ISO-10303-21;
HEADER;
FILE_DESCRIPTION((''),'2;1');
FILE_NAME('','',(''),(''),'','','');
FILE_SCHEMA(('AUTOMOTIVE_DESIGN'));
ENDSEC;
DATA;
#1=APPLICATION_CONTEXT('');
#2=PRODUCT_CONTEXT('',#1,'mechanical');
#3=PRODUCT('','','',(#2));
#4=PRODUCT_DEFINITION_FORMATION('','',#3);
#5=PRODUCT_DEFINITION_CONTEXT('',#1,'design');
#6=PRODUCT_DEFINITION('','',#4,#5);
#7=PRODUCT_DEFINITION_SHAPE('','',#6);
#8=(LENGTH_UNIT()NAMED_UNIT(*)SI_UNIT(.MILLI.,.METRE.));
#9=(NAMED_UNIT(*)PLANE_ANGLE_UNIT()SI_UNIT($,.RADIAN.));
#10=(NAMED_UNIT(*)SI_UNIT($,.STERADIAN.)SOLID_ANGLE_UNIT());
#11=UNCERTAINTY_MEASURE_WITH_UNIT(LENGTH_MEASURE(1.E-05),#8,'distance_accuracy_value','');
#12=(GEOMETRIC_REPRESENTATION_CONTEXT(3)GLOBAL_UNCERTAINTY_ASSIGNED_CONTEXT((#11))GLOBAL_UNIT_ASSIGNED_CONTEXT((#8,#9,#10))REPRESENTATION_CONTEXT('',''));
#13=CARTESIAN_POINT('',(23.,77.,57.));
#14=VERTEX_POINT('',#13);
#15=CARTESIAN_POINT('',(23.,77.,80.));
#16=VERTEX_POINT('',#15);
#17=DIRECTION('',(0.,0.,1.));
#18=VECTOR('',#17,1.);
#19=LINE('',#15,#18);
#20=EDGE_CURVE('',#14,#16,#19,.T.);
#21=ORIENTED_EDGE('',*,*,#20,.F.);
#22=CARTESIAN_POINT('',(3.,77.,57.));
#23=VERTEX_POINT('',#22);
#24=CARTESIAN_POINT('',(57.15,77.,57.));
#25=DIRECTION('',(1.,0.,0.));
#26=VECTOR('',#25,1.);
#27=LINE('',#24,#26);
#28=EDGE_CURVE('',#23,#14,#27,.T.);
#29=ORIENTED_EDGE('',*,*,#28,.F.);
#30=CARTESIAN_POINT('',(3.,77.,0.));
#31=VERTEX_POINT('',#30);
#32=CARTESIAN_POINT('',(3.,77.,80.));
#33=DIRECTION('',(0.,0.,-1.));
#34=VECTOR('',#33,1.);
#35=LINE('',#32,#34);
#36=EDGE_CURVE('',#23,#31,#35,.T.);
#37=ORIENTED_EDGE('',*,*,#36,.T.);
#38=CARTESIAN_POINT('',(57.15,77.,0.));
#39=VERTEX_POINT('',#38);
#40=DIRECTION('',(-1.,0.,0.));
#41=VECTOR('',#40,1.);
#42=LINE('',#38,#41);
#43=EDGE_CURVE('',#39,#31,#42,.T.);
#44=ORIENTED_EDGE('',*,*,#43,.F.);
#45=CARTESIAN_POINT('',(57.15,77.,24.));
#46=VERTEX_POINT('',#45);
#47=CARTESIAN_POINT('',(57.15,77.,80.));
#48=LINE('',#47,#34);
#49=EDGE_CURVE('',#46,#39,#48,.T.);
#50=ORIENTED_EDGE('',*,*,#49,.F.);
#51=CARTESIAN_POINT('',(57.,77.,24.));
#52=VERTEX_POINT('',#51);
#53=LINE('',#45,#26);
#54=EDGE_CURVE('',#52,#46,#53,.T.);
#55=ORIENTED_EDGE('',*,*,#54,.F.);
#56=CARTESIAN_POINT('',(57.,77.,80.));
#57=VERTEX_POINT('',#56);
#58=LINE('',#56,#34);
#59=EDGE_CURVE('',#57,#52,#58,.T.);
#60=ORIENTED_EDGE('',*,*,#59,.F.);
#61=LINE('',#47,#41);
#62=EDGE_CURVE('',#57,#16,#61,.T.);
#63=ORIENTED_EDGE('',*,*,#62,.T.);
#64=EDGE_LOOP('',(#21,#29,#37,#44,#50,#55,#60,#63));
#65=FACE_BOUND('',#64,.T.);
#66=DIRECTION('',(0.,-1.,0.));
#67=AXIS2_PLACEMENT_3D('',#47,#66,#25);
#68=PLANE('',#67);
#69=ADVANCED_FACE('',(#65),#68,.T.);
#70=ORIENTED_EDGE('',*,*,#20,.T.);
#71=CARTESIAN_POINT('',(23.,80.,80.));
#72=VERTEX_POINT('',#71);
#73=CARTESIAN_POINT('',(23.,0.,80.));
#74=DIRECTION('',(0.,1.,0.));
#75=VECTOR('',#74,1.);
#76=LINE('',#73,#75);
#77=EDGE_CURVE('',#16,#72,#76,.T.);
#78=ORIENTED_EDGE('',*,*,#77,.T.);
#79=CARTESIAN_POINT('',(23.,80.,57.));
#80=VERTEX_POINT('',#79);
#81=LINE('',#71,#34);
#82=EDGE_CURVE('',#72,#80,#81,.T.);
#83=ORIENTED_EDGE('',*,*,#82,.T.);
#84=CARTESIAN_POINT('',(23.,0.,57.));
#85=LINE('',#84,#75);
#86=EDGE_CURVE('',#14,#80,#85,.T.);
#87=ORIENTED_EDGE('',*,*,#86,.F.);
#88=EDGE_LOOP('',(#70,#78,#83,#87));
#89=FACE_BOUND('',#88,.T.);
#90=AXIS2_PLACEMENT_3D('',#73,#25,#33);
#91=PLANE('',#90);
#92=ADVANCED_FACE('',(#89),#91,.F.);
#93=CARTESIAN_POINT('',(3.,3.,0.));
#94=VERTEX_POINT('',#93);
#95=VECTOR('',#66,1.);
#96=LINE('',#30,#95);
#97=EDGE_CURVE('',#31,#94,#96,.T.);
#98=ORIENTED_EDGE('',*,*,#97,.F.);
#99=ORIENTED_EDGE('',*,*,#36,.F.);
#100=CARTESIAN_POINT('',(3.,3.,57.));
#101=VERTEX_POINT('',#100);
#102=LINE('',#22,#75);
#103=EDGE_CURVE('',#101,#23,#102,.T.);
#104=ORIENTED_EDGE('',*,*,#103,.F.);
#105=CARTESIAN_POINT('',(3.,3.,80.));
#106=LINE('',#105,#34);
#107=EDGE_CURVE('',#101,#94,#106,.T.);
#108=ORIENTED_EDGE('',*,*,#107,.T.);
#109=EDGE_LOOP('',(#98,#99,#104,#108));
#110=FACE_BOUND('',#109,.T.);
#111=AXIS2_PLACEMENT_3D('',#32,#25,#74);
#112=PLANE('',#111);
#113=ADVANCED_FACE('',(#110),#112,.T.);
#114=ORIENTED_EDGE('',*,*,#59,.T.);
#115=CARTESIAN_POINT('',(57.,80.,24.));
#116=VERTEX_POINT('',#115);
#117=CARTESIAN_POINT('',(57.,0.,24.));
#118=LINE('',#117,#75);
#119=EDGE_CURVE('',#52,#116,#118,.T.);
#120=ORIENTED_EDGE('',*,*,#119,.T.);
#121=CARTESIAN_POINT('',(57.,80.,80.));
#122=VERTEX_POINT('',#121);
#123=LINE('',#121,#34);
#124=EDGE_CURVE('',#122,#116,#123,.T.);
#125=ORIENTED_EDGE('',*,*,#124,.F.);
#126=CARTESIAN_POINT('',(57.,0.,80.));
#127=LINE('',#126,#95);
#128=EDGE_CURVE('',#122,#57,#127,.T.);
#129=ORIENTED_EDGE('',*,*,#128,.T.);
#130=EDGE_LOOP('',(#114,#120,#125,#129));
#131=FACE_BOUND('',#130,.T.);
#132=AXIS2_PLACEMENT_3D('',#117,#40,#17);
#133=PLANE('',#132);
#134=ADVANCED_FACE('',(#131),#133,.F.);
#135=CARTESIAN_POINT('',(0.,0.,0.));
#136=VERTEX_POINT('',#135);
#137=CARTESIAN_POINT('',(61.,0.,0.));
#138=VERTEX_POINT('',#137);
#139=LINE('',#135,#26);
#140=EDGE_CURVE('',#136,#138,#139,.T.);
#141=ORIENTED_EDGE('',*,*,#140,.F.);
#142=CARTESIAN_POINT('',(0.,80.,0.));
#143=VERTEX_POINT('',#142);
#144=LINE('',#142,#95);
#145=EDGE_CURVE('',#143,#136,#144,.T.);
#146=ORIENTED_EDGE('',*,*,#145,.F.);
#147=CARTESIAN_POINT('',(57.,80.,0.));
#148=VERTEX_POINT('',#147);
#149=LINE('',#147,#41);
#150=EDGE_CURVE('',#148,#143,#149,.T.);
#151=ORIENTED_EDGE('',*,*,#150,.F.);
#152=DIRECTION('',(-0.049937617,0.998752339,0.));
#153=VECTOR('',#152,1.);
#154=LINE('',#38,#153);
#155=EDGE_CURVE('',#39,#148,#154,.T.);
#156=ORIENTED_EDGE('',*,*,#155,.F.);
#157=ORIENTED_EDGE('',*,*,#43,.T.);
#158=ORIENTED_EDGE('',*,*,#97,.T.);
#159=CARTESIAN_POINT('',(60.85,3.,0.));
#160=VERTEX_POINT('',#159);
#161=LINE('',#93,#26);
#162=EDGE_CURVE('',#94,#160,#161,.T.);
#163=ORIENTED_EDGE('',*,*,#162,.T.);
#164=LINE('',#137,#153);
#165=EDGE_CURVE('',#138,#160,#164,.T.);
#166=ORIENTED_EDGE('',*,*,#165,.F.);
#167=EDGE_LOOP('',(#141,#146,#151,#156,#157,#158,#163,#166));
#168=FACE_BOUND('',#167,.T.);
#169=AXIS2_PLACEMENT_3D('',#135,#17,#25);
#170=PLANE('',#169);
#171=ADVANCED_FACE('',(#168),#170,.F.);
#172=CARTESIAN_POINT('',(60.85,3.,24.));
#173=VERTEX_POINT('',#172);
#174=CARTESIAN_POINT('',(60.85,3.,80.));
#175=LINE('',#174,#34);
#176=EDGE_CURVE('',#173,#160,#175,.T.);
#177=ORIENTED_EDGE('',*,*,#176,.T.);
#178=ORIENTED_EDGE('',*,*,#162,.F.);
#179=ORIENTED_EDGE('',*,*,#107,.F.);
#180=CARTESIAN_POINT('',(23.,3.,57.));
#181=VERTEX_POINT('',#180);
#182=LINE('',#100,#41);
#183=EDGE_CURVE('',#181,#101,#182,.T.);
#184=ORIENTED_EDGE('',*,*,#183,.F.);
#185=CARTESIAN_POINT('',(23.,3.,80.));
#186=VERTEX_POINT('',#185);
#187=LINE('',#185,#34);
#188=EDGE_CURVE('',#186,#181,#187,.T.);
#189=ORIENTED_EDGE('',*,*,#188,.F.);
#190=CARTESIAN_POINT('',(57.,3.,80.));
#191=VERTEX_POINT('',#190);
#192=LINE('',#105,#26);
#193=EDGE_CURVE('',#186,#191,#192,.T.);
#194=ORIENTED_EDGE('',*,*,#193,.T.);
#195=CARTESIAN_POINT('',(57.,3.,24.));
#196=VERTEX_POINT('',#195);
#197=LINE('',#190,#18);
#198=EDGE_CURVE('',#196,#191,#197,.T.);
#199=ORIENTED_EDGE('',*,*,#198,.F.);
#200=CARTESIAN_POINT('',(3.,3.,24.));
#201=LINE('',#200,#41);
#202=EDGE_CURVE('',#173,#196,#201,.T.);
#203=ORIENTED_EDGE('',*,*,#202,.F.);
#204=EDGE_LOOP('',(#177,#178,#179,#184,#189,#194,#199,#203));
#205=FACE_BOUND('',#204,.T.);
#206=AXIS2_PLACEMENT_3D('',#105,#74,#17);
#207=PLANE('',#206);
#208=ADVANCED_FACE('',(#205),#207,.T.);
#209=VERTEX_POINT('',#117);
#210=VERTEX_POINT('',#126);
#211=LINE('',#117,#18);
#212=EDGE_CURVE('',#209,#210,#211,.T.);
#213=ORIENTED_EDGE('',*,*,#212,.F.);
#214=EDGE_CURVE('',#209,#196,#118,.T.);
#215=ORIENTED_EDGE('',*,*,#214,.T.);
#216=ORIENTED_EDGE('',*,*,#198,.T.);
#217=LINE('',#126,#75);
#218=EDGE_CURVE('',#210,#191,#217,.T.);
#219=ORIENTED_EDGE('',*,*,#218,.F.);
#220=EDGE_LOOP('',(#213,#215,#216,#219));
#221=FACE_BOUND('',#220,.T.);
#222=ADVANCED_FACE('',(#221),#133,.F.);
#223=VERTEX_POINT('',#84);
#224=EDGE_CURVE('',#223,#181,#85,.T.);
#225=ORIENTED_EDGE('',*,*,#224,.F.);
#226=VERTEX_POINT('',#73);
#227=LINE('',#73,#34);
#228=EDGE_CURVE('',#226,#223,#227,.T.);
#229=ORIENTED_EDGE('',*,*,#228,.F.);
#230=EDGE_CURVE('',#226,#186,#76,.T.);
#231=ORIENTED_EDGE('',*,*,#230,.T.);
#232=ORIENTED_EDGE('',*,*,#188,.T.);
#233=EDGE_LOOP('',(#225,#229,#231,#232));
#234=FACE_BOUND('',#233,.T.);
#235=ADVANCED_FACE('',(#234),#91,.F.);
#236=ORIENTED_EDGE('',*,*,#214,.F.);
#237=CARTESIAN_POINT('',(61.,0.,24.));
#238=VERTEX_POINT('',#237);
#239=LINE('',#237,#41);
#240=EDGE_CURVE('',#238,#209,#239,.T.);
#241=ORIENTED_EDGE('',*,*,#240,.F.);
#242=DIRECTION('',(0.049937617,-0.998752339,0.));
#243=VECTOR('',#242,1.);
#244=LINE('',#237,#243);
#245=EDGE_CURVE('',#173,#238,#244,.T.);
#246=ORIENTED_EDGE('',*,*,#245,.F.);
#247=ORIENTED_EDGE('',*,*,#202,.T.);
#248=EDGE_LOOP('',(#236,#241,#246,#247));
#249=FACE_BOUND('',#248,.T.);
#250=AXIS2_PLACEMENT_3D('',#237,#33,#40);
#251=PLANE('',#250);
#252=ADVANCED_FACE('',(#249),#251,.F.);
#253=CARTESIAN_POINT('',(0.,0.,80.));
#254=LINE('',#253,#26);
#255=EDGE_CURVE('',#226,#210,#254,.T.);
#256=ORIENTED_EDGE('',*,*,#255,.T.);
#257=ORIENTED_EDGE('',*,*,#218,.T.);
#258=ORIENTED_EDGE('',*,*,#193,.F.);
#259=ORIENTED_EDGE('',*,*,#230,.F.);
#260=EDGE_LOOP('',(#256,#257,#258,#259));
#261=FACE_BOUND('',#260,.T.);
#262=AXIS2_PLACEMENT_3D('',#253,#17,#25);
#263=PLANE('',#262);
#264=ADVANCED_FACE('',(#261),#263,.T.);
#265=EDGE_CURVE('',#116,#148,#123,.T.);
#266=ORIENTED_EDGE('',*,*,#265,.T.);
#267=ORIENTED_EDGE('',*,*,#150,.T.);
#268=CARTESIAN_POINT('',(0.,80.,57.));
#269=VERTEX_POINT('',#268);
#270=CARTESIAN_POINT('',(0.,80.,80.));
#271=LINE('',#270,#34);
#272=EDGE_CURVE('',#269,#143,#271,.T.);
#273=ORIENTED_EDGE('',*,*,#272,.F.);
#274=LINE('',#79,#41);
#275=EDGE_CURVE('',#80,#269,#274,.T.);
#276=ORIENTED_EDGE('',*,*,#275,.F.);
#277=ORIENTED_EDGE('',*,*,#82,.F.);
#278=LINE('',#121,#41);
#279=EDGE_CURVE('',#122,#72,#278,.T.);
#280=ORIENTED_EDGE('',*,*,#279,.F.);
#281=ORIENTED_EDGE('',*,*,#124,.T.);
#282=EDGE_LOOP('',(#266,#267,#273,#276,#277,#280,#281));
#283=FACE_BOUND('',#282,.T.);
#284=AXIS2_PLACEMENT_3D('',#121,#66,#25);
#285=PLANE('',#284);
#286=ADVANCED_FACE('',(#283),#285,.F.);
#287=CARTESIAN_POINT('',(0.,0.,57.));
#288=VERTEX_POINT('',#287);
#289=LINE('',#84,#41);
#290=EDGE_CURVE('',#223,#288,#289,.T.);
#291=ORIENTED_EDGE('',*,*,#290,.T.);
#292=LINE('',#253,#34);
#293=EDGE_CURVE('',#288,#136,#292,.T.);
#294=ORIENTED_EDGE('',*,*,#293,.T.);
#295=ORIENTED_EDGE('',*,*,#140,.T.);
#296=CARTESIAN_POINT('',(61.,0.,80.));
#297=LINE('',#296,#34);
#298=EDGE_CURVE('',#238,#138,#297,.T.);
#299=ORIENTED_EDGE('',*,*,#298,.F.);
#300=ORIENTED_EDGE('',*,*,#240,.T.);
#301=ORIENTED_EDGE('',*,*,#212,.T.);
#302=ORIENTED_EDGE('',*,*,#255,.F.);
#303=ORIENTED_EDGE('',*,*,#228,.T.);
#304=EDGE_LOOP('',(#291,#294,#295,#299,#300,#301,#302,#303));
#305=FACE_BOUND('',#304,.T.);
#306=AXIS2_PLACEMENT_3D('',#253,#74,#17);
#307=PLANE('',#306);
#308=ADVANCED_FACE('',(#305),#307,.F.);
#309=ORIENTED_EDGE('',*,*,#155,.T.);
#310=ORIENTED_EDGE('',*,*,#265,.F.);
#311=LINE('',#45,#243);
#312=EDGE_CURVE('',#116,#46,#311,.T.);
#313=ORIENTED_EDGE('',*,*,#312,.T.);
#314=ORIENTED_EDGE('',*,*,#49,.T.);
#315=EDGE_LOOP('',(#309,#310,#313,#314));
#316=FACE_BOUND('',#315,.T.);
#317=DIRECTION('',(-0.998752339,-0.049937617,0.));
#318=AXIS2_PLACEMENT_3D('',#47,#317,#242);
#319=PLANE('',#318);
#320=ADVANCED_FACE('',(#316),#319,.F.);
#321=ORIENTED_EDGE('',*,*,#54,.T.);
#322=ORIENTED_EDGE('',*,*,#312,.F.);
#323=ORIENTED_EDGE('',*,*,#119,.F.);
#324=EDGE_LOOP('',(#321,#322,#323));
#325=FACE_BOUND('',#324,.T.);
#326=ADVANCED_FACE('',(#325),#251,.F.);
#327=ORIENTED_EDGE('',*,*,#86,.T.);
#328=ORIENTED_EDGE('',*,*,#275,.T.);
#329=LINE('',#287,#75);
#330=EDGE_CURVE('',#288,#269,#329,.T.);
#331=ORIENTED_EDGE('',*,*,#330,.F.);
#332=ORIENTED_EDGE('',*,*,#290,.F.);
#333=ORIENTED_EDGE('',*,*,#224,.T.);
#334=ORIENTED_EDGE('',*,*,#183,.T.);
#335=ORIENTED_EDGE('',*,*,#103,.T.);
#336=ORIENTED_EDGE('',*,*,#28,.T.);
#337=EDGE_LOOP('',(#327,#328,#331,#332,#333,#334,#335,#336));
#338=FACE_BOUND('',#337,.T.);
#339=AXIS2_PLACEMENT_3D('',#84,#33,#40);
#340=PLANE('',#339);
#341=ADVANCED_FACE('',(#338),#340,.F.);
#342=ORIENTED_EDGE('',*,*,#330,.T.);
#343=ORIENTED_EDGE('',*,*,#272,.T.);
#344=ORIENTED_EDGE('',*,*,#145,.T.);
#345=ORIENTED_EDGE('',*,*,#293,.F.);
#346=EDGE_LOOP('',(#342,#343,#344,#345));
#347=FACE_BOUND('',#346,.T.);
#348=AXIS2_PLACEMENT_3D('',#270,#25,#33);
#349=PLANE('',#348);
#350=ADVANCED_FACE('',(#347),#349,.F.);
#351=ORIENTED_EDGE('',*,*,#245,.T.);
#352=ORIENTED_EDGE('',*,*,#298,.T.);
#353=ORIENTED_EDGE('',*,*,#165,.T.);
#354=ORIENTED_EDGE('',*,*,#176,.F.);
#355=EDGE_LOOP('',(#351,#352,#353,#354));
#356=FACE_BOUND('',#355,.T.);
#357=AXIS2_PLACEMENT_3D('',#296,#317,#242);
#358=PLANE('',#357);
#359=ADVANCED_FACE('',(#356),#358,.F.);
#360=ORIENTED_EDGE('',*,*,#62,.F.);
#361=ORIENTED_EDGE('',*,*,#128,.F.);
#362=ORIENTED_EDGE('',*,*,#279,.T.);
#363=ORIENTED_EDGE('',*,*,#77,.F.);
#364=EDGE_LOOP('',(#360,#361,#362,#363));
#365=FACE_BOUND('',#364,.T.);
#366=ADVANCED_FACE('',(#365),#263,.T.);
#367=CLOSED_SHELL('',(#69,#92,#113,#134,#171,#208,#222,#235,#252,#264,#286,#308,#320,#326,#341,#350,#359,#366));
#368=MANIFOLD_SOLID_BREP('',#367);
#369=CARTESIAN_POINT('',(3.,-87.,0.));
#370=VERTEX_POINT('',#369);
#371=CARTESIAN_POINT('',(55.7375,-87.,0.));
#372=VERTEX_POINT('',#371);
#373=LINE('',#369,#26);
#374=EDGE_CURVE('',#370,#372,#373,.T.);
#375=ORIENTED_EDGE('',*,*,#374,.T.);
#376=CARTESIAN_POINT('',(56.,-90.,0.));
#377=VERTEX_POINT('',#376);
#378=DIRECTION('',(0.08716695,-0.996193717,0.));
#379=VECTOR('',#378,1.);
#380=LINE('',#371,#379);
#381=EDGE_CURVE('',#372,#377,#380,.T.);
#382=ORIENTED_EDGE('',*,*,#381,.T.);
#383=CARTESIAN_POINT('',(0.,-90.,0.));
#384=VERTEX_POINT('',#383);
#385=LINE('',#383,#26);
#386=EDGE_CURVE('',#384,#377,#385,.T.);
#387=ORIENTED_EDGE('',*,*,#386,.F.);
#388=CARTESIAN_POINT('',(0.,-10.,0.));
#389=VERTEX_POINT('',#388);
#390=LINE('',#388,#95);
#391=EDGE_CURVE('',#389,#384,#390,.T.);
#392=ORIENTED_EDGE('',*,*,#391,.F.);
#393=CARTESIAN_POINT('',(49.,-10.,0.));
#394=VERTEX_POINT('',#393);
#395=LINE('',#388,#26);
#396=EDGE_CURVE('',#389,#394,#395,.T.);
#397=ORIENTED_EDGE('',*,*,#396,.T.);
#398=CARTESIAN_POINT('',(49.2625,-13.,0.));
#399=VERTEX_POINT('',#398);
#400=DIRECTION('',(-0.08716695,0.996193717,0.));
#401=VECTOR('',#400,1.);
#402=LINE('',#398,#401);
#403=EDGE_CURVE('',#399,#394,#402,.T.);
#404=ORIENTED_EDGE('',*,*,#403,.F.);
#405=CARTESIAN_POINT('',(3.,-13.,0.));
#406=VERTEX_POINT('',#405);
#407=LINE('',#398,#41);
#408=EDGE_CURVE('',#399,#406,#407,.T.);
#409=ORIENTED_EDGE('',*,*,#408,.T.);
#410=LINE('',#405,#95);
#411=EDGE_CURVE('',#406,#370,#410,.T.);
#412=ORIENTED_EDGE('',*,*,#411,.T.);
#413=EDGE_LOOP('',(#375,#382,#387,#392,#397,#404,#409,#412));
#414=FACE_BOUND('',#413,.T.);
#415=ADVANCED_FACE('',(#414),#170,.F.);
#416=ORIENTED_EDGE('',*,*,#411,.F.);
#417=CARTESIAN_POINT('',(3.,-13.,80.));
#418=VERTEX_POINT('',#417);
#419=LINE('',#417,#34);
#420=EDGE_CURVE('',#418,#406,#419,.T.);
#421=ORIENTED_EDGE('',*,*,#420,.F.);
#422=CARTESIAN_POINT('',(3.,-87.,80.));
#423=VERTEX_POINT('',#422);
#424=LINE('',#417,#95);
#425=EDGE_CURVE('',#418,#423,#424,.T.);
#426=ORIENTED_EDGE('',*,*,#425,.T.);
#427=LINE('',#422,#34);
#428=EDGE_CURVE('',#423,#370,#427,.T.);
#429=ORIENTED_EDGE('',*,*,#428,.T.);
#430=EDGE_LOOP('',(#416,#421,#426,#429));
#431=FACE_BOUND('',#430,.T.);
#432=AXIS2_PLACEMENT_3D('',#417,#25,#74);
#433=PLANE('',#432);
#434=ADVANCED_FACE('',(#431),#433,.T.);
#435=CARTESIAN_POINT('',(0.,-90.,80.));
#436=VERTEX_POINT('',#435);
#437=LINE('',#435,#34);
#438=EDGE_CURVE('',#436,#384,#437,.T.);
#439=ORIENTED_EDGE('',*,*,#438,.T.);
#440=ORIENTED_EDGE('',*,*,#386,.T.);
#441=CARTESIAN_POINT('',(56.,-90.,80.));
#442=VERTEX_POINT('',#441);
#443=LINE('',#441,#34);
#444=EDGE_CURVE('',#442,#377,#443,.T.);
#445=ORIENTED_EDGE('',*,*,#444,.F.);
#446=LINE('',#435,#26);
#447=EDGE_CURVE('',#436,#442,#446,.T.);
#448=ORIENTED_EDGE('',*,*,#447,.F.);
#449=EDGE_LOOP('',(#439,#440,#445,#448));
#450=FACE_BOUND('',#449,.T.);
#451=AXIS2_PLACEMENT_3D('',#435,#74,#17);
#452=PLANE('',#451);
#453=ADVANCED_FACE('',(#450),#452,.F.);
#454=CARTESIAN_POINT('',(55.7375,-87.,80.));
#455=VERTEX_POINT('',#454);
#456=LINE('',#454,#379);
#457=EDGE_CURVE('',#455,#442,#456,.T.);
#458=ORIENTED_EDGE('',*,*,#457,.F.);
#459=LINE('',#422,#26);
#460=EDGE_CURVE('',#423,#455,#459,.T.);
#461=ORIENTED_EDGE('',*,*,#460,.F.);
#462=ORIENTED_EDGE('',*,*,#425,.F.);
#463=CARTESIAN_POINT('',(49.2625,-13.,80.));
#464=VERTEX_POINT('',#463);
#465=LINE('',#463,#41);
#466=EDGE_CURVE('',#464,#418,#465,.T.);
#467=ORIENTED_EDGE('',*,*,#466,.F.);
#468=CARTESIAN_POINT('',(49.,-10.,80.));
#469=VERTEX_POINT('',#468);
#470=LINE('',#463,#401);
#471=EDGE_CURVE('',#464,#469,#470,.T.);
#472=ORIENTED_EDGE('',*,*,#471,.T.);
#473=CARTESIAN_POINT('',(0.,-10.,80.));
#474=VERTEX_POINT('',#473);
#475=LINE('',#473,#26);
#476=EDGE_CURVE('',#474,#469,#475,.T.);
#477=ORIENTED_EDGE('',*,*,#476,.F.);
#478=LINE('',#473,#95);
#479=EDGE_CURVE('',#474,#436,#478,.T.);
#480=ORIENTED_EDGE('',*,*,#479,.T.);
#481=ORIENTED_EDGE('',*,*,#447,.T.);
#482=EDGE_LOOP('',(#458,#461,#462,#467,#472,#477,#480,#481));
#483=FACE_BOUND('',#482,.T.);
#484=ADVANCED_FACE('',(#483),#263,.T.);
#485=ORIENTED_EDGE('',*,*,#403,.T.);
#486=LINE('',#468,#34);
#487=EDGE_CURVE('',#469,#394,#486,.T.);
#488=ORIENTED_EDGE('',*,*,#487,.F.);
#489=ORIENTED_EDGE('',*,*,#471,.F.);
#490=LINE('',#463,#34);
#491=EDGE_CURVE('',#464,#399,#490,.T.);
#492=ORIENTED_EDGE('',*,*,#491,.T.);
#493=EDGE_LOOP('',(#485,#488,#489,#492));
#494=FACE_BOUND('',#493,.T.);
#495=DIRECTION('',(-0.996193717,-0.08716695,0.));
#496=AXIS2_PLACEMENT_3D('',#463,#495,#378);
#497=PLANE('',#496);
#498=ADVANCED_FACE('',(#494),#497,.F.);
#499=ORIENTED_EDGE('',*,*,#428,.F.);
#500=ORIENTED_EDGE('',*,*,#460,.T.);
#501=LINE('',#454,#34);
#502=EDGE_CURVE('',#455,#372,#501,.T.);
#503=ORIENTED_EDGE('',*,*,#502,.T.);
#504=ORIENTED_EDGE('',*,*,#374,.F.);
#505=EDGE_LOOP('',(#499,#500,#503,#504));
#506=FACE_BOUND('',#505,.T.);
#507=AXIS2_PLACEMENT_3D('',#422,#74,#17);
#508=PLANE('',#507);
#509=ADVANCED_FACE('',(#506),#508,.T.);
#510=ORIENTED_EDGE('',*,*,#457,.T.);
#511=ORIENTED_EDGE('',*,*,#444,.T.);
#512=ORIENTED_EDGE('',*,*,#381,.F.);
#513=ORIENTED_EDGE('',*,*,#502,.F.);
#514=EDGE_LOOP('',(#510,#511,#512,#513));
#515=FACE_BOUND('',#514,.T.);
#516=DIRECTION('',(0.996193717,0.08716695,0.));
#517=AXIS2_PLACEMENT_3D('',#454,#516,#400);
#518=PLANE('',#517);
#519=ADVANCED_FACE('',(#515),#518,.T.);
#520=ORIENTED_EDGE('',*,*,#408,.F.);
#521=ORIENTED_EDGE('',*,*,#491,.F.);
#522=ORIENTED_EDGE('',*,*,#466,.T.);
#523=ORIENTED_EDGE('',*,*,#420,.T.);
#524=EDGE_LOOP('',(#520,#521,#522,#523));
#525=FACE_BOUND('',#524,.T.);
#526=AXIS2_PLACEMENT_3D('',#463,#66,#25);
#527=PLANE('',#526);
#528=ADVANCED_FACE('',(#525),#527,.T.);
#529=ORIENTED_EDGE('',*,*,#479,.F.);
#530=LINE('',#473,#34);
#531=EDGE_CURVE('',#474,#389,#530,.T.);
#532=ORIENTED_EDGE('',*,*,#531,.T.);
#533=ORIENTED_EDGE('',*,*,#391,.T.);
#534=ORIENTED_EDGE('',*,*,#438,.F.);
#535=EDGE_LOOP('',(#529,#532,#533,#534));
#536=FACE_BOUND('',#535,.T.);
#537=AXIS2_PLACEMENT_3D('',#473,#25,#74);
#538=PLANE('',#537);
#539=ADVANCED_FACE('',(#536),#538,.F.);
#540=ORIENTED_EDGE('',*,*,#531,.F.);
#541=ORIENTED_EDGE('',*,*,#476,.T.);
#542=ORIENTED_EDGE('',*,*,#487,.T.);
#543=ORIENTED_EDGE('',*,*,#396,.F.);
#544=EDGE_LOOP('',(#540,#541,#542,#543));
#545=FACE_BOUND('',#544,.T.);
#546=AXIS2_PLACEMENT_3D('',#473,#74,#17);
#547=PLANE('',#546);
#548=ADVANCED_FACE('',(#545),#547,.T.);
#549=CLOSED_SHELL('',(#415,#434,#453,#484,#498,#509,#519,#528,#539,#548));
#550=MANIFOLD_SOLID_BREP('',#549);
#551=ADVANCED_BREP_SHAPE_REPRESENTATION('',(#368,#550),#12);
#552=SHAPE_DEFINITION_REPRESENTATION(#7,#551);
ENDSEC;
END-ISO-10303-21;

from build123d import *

# Parameters (mm, degrees)
EXTRUDE_1_DEPTH     = 80
EXTRUDE_2_DEPTH     = 80
SKETCH_4_W          = 23
SKETCH_4_H          = 23
CUT_EXTRUDE_5_DEPTH = 80
SKETCH_5_W          = 4
SKETCH_5_H          = 56
CUT_EXTRUDE_7_DEPTH = 80


with BuildPart() as part:
    # 스케치1 → 보스-돌출1 (new body)
    with BuildSketch(Plane.XY):
        Polygon((0, 0), (61, 0), (60.85, 3), (3, 3), (3, 77), (57.15, 77), (57, 80), (0, 80), align=None)
    extrude(amount=EXTRUDE_1_DEPTH)

    # 스케치4 → 컷-돌출5 (cut)
    with BuildSketch(Plane(origin=(0, 80, 0), x_dir=(1, 0, 0), z_dir=(0, 1, 0))):
        with Locations((11.5, -68.5)):
            Rectangle(SKETCH_4_W, SKETCH_4_H)
    extrude(amount=-CUT_EXTRUDE_5_DEPTH, mode=Mode.SUBTRACT)

    # 스케치5 → 컷-돌출7 (cut)
    with BuildSketch(Plane(origin=(0, 80, 0), x_dir=(1, 0, 0), z_dir=(0, 1, 0))):
        with Locations((59, -52)):
            Rectangle(SKETCH_5_W, SKETCH_5_H)
    extrude(amount=-CUT_EXTRUDE_7_DEPTH, mode=Mode.SUBTRACT)


with BuildPart() as body_2:
    # 스케치1<3> → 보스-돌출2 (new body)
    with BuildSketch(Plane.XY):
        Polygon((0, -10), (49, -10), (49.2625, -13), (3, -13), (3, -87), (55.7375, -87), (56, -90), (0, -90), align=None)
    extrude(amount=EXTRUDE_2_DEPTH)


solid = Compound([part.part, body_2.part])
